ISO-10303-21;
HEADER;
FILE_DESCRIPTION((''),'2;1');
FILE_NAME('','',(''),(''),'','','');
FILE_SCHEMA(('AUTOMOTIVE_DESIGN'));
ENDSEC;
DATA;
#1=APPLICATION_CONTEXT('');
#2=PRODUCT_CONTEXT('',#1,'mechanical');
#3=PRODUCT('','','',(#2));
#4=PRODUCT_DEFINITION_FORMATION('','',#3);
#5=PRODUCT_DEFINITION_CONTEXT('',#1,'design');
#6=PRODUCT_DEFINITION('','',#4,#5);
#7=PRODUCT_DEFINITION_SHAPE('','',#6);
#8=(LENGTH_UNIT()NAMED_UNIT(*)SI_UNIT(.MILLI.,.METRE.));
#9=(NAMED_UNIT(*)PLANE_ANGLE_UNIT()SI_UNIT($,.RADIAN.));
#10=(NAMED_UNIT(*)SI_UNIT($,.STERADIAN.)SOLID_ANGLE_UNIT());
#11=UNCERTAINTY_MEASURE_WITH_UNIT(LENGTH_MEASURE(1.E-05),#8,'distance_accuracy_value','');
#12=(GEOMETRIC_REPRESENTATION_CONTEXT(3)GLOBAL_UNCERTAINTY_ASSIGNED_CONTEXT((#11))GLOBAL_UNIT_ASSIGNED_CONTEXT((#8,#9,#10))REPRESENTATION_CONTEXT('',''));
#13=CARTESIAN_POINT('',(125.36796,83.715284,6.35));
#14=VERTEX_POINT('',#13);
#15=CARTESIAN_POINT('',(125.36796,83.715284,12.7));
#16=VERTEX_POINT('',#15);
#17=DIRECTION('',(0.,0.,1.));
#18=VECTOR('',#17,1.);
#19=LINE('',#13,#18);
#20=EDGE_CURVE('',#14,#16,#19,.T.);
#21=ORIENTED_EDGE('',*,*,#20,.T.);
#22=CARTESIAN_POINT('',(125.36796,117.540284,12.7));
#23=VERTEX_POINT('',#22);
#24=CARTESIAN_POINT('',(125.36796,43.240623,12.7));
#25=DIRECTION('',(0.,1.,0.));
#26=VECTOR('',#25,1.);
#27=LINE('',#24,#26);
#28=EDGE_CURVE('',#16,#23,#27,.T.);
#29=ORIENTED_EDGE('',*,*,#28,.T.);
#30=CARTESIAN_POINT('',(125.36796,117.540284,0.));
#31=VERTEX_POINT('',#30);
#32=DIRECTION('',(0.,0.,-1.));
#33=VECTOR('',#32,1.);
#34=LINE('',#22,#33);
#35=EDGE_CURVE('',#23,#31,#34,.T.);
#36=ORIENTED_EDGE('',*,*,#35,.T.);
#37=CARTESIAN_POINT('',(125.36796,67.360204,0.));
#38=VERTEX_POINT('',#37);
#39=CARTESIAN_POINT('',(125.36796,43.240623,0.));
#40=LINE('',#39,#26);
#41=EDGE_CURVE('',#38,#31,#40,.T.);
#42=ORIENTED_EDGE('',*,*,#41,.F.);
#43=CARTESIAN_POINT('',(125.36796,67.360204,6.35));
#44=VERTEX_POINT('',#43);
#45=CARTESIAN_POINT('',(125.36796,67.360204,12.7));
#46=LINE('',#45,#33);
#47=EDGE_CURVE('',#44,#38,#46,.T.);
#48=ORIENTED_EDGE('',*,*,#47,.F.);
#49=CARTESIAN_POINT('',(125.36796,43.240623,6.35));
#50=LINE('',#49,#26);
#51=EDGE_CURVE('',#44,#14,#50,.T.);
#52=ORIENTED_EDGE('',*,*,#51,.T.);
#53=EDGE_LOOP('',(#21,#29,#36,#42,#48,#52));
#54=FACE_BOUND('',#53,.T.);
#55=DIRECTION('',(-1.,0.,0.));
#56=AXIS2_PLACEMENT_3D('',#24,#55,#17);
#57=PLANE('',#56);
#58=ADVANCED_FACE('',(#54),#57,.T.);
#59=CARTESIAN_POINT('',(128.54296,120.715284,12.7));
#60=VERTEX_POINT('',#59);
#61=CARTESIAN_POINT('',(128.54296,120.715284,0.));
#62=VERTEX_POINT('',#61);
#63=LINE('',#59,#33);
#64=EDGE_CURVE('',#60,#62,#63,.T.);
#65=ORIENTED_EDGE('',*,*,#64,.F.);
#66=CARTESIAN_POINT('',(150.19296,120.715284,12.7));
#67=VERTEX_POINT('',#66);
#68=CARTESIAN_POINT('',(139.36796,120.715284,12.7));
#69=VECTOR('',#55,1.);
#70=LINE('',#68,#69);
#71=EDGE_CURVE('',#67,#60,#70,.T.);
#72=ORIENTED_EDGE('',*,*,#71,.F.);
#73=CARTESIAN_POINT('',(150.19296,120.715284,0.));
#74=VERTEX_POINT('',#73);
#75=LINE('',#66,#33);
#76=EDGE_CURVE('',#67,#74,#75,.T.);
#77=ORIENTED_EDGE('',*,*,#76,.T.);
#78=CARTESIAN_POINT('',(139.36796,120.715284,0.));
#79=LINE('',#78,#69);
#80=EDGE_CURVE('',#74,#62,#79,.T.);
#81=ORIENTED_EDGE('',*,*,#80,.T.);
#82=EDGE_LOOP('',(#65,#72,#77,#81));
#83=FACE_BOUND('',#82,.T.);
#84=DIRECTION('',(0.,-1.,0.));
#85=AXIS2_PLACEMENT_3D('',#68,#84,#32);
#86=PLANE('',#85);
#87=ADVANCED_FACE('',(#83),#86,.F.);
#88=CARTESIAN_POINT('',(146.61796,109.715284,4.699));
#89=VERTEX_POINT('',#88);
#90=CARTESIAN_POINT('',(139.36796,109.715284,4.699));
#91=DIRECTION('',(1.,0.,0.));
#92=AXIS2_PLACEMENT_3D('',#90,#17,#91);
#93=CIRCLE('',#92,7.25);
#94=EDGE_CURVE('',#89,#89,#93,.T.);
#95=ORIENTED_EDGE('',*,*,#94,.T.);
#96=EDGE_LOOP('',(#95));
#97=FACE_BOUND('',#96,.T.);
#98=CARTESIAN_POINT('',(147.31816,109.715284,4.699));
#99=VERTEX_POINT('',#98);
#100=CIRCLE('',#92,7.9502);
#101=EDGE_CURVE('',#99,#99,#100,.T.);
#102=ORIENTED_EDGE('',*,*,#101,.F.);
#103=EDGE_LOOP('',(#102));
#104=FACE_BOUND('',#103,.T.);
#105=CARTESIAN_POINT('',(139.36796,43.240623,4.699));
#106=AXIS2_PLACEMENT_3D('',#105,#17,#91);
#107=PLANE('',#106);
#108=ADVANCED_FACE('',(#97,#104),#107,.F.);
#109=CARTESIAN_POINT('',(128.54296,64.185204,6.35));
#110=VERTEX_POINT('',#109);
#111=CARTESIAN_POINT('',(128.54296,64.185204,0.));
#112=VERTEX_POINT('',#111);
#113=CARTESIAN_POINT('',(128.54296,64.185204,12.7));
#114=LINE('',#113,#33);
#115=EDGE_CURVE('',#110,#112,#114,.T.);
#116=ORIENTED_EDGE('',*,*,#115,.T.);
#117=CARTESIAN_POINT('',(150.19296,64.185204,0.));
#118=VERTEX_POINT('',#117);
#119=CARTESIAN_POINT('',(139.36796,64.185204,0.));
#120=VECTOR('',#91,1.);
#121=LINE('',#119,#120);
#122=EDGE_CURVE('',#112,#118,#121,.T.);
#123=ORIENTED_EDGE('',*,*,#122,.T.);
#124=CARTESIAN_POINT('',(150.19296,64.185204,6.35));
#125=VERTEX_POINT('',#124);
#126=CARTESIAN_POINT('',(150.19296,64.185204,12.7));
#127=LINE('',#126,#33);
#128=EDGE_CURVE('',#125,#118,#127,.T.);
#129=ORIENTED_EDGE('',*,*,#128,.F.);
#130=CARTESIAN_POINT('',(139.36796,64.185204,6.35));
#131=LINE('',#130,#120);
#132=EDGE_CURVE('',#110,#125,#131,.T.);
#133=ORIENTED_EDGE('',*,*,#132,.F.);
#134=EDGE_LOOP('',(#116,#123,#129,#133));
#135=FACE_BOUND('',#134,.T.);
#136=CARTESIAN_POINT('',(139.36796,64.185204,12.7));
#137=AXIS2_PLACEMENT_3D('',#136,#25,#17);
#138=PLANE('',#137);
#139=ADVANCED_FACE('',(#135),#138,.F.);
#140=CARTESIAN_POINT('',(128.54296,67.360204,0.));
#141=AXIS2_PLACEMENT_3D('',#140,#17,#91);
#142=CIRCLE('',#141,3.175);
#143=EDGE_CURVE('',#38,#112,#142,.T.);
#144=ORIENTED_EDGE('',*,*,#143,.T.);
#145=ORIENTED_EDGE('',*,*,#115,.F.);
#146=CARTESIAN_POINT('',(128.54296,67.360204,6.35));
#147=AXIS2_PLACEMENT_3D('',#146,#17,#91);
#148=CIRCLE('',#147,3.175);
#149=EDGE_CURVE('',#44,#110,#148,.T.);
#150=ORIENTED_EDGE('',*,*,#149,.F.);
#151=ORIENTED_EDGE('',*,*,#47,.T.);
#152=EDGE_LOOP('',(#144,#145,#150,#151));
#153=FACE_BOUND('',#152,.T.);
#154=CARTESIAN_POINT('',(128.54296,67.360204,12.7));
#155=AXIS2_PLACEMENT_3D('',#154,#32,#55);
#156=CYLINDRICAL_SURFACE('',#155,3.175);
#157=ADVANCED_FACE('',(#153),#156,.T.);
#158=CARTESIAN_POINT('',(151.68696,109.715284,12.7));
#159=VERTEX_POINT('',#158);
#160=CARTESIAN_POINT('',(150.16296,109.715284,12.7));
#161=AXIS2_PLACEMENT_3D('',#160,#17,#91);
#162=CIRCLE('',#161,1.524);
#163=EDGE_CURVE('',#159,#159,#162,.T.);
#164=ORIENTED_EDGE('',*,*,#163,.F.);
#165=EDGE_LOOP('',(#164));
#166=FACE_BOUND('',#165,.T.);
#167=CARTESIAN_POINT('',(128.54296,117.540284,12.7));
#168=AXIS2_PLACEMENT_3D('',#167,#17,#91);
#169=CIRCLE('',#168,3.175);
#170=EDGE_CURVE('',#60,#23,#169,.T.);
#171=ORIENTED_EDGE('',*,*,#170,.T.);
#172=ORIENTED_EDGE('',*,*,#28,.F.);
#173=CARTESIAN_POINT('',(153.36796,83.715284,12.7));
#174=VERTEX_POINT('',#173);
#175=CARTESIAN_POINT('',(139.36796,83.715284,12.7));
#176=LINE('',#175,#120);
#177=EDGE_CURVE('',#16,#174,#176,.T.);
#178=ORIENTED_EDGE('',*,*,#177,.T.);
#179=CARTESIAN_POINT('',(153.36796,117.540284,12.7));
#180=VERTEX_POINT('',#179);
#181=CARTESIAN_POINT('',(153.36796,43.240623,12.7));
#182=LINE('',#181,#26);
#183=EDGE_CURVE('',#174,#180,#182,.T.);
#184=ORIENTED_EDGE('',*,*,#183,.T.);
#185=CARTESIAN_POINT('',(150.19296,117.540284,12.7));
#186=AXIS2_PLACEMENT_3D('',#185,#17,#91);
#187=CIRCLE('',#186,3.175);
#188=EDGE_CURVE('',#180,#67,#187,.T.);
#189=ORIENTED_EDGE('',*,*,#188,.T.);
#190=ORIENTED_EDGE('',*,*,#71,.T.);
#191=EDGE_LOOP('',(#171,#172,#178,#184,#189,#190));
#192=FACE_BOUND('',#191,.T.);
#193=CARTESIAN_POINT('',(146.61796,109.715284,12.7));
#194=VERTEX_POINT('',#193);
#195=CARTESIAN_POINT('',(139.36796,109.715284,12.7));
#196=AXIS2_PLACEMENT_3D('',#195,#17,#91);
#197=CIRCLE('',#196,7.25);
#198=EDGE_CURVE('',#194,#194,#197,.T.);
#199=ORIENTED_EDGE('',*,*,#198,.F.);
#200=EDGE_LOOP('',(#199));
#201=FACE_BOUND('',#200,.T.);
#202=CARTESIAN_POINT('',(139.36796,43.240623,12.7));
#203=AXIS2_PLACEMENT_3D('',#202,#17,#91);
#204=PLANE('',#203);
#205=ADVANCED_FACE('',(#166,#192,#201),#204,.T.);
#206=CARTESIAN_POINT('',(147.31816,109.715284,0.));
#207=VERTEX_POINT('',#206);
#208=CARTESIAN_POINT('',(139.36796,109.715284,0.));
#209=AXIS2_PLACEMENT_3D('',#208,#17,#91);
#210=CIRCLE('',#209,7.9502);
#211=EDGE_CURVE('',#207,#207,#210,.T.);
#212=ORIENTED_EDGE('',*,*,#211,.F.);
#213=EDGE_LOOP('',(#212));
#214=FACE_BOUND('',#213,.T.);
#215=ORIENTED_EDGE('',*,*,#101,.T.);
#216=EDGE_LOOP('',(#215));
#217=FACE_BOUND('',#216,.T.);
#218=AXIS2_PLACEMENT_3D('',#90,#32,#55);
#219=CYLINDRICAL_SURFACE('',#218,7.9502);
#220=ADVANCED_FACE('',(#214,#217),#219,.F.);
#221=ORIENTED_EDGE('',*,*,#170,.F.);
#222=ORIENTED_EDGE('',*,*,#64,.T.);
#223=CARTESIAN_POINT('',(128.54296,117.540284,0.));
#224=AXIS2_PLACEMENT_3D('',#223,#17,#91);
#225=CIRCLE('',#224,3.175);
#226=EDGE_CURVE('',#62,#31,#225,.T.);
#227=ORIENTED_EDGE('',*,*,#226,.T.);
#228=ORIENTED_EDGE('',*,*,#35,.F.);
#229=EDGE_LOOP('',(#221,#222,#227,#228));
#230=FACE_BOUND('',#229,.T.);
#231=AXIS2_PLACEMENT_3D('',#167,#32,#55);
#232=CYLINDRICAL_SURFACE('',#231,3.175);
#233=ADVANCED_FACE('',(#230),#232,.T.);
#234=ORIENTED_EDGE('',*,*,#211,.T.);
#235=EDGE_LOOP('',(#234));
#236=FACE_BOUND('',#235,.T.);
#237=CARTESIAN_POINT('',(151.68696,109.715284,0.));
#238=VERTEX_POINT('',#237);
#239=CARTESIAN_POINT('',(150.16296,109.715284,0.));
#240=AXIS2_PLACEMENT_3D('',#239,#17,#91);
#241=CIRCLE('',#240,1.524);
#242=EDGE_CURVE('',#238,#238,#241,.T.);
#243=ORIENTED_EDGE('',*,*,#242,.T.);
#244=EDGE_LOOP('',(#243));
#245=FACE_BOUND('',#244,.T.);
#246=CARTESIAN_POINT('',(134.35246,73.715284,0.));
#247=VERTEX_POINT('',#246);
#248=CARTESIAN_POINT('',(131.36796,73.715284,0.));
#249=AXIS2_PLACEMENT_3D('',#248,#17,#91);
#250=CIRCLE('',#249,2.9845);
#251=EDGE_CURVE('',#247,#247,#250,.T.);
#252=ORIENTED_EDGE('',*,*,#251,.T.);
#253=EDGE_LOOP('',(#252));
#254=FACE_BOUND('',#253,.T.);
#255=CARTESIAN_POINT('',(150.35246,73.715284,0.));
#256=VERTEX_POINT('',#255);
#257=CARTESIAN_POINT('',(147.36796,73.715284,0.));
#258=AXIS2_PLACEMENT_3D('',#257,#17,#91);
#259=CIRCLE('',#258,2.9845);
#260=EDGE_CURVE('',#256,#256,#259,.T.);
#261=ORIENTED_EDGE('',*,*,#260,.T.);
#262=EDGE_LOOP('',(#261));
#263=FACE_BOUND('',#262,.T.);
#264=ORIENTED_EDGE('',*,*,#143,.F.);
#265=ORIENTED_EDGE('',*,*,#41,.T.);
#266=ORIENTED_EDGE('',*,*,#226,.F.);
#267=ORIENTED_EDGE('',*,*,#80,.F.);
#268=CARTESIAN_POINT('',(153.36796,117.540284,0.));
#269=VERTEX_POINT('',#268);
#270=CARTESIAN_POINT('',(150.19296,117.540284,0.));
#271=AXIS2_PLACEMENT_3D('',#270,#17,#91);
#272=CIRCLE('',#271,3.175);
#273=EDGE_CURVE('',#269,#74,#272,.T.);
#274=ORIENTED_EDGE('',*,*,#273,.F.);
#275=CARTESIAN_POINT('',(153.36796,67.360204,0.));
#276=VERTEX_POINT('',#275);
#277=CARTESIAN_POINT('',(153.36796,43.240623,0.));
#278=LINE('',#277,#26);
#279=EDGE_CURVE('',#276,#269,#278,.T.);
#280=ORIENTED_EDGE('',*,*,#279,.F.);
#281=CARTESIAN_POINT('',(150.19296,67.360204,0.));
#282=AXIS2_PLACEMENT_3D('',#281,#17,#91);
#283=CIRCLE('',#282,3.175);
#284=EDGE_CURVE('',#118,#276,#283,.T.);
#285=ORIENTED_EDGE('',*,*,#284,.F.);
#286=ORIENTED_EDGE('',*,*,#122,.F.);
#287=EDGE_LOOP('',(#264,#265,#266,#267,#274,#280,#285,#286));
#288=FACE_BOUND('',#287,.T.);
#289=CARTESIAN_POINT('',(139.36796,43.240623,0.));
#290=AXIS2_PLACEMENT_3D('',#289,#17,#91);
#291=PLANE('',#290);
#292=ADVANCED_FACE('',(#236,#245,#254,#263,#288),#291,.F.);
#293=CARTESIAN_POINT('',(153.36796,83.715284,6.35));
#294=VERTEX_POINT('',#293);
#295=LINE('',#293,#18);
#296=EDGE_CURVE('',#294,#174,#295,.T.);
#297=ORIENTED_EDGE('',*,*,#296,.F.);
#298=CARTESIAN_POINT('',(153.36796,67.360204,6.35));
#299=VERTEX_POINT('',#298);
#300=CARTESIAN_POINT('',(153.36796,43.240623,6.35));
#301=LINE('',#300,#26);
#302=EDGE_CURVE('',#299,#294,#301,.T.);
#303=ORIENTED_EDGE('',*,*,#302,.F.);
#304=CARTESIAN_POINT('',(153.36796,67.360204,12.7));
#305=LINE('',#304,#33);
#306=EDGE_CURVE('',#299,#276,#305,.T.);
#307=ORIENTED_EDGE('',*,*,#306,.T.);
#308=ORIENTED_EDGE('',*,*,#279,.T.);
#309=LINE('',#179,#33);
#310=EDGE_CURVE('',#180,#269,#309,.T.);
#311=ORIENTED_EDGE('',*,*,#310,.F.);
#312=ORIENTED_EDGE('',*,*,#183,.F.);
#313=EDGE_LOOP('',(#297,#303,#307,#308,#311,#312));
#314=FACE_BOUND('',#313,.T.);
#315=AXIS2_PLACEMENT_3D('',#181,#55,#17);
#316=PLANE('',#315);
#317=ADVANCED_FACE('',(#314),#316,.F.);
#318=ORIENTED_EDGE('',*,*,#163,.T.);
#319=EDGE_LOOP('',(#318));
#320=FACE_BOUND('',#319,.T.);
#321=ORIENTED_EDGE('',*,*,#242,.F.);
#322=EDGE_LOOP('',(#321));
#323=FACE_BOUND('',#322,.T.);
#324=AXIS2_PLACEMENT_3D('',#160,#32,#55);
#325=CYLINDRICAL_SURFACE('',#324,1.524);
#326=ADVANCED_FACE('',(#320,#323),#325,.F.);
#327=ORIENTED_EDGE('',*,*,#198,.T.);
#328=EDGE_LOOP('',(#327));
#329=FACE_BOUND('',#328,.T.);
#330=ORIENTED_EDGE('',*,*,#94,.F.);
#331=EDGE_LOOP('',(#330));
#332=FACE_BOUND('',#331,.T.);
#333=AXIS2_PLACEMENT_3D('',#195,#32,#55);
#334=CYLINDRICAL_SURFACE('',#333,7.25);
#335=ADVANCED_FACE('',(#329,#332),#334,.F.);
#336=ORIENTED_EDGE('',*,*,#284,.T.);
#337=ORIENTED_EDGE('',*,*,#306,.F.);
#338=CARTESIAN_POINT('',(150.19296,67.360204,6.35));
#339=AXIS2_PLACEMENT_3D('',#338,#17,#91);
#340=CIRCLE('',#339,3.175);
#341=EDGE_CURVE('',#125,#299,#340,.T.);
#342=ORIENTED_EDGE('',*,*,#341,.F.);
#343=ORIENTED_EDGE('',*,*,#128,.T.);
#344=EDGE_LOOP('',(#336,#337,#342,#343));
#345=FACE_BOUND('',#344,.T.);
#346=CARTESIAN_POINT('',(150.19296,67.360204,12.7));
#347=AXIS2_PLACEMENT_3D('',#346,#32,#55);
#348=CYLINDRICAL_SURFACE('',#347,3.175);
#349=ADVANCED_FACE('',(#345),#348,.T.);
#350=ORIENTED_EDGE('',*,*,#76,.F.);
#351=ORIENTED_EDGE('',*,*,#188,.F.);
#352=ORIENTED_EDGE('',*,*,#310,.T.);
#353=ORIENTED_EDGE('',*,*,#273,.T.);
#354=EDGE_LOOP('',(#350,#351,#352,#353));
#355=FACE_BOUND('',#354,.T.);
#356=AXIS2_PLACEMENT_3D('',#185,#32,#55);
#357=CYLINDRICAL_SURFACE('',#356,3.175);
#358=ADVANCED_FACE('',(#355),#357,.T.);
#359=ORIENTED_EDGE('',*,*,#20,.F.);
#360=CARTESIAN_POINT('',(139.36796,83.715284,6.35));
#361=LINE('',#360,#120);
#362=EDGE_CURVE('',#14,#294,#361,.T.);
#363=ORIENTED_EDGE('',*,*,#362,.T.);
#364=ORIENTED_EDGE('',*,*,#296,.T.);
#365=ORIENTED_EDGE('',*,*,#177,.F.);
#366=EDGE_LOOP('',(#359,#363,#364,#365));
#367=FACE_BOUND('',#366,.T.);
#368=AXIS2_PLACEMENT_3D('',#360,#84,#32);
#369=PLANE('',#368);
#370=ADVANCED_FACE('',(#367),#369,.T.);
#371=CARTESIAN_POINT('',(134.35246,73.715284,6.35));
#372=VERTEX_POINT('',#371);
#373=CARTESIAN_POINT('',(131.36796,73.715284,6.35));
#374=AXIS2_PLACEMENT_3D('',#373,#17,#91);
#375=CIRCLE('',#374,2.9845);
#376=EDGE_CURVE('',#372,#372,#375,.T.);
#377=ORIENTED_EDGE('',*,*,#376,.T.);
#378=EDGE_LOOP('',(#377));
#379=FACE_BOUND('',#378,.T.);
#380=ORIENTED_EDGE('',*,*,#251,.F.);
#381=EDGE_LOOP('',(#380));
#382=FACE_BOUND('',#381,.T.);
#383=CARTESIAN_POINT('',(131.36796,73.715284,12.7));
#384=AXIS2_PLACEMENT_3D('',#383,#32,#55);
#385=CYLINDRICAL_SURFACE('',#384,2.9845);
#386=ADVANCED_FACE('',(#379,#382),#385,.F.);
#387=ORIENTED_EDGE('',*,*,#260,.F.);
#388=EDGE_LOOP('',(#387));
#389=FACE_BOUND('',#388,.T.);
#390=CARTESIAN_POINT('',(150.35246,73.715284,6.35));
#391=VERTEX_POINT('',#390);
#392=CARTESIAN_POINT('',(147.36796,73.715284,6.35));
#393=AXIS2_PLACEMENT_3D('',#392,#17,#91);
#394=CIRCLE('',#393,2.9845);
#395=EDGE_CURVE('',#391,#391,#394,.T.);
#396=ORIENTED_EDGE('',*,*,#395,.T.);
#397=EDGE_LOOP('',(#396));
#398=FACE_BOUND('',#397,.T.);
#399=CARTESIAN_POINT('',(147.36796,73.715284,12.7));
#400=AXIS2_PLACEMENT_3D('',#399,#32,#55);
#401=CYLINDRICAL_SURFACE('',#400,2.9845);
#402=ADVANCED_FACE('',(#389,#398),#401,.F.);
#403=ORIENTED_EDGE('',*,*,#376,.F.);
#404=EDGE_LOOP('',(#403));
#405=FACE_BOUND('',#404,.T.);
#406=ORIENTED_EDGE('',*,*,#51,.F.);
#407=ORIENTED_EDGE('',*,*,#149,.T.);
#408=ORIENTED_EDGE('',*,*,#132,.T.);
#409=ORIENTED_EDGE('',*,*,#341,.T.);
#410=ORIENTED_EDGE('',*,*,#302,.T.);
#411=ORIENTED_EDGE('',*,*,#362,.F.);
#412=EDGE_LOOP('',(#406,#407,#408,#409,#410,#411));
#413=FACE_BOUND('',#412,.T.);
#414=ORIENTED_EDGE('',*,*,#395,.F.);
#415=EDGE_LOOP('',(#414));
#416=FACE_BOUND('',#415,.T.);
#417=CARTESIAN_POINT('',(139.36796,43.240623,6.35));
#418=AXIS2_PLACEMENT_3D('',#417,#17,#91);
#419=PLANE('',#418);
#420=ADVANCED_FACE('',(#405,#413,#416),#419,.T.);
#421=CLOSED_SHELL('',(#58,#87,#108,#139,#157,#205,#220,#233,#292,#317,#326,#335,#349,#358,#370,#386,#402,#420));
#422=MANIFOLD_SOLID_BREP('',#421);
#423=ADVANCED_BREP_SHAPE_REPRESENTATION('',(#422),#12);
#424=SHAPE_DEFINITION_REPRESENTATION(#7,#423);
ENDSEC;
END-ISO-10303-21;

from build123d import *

# Parameters (mm, degrees)
SKETCH1_R           = 7.9502
SKETCH1_R_2         = 1.524
SKETCH1_R_3         = 2.9845
SKETCH1_R_4         = 7.250000001
BOSS_EXTRUDE1_DEPTH = 12.7
SKETCH1_3_R         = 7.9502
SKETCH1_3_R_2       = 7.250000001
CUT_EXTRUDE1_DEPTH  = 4.699
CUT_EXTRUDE2_START  = 6.35
SKETCH1_4_R         = 2.9845
CUT_EXTRUDE2_DEPTH  = 6.35


with BuildPart() as part:
    # Sketch1 → Boss-Extrude1 (new body)
    # profile 1 of 3: a face of its own
    with BuildSketch(Plane.XY):
        with BuildLine():
            Line((125.367960427, 117.540284058), (125.367960427, 83.715284058))
            Line((125.367960427, 83.715284058), (153.367960426, 83.715284058))
            Line((153.367960426, 83.715284058), (153.367960426, 117.540284058))
            ThreePointArc((153.367960426, 117.540284058), (152.438024457, 119.785348088), (150.192960426, 120.715284058))
            Line((150.192960426, 120.715284058), (128.542960427, 120.715284058))
            ThreePointArc((128.542960427, 120.715284058), (126.297896397, 119.785348088), (125.367960427, 117.540284058))
        make_face()
        with Locations((139.367960428, 109.715284059)):
            Circle(SKETCH1_R, mode=Mode.SUBTRACT)
        with Locations((150.162960428, 109.715284059)):
            Circle(SKETCH1_R_2, mode=Mode.SUBTRACT)
    # profile 2 of 3: a face of its own
    with BuildSketch(Plane.XY):
        with BuildLine():
            ThreePointArc((125.367960427, 67.360204058), (126.297896397, 65.115140027), (128.542960427, 64.185204058))
            Line((128.542960427, 64.185204058), (150.192960426, 64.185204058))
            ThreePointArc((150.192960426, 64.185204058), (152.438024457, 65.115140027), (153.367960426, 67.360204058))
            Line((153.367960426, 67.360204058), (153.367960426, 83.715284058))
            Line((153.367960426, 83.715284058), (125.367960427, 83.715284058))
            Line((125.367960427, 83.715284058), (125.367960427, 67.360204058))
        make_face()
        with Locations((131.367960426, 73.715284058)):
            Circle(SKETCH1_R_3, mode=Mode.SUBTRACT)
        with Locations((147.367960427, 73.715284058)):
            Circle(SKETCH1_R_3, mode=Mode.SUBTRACT)
    # profile 3 of 3: a face of its own
    with BuildSketch(Plane.XY):
        with Locations((139.367960428, 109.715284059)):
            Circle(SKETCH1_R)
        with Locations((139.367960428, 109.715284059)):
            Circle(SKETCH1_R_4, mode=Mode.SUBTRACT)
    extrude(amount=BOSS_EXTRUDE1_DEPTH)

    # Sketch1<3> → Cut-Extrude1 (cut)
    with BuildSketch(Plane.XY):
        with Locations((139.367960428, 109.715284059)):
            Circle(SKETCH1_3_R)
        with Locations((139.367960428, 109.715284059)):
            Circle(SKETCH1_3_R_2, mode=Mode.SUBTRACT)
    extrude(amount=CUT_EXTRUDE1_DEPTH, mode=Mode.SUBTRACT)

    # Sketch1<4> → Cut-Extrude2 (cut)
    with BuildSketch(Plane.XY.offset(CUT_EXTRUDE2_START)):
        with BuildLine():
            ThreePointArc((125.367960427, 67.360204058), (126.297896397, 65.115140027), (128.542960427, 64.185204058))
            Line((128.542960427, 64.185204058), (150.192960426, 64.185204058))
            ThreePointArc((150.192960426, 64.185204058), (152.438024457, 65.115140027), (153.367960426, 67.360204058))
            Line((153.367960426, 67.360204058), (153.367960426, 83.715284058))
            Line((153.367960426, 83.715284058), (125.367960427, 83.715284058))
            Line((125.367960427, 83.715284058), (125.367960427, 67.360204058))
        make_face()
        with Locations((131.367960426, 73.715284058)):
            Circle(SKETCH1_4_R, mode=Mode.SUBTRACT)
        with Locations((147.367960427, 73.715284058)):
            Circle(SKETCH1_4_R, mode=Mode.SUBTRACT)
    extrude(amount=CUT_EXTRUDE2_DEPTH, mode=Mode.SUBTRACT)


solid = part.part
